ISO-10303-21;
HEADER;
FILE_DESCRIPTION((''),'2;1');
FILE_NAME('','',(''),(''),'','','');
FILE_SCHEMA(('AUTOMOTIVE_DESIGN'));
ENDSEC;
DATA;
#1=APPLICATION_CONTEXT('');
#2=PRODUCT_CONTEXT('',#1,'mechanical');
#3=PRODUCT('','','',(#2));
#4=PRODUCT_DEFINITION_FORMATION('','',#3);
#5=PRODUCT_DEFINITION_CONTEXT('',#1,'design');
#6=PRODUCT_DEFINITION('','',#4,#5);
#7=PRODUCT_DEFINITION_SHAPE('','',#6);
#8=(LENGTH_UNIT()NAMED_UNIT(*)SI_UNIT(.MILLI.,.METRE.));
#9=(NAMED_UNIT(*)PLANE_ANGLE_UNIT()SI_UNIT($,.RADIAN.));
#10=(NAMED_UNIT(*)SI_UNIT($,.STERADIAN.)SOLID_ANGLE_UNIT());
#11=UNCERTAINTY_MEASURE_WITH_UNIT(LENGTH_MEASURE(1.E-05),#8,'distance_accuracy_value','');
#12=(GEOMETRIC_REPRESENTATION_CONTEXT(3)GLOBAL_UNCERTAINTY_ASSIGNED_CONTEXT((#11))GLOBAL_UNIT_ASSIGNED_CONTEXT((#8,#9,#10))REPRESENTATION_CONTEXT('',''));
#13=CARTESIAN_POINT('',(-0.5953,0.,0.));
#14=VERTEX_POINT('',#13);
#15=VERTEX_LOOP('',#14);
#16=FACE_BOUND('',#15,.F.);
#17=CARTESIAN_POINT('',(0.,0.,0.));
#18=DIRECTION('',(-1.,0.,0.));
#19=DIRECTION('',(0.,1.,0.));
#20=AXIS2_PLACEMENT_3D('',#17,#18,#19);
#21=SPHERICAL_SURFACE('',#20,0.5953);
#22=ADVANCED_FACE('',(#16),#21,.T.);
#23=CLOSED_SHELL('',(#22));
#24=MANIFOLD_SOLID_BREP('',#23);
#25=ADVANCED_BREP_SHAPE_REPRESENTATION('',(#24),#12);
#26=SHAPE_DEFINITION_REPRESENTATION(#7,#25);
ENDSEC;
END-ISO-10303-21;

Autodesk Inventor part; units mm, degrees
sketch "Sketch_1" plane through (0, 0, 0) normal (0, 0, 1) x (1, 0, 0)
  line L0 (0.5953, 0) -> (-0.5953, 0)
  arc A0 (0.5953, 0) -> (-0.5953, 0) centre (0, 0) ccw
  line L1 (0.5953, 0) -> (-0.5953, 0)
revolve "Revolution1" add sketch "Sketch_1" angle 360 about axis through (0.5953, 0, 0) along (1, 0, 0)
ref_plane "1_XY" through (0, 0, 0) normal (0, 0, 1) x (1, 0, 0)
ref_plane "1_YZ" through (0, 0, 0) normal (1, 0, 0) x (0, 1, 0)
ref_plane "1_ZX" through (0, 0, 0) normal (0, 1, 0) x (0, 0, 1)
properties part number "LF-1060ZZ_ball" material "鋼、炭素鋼"
